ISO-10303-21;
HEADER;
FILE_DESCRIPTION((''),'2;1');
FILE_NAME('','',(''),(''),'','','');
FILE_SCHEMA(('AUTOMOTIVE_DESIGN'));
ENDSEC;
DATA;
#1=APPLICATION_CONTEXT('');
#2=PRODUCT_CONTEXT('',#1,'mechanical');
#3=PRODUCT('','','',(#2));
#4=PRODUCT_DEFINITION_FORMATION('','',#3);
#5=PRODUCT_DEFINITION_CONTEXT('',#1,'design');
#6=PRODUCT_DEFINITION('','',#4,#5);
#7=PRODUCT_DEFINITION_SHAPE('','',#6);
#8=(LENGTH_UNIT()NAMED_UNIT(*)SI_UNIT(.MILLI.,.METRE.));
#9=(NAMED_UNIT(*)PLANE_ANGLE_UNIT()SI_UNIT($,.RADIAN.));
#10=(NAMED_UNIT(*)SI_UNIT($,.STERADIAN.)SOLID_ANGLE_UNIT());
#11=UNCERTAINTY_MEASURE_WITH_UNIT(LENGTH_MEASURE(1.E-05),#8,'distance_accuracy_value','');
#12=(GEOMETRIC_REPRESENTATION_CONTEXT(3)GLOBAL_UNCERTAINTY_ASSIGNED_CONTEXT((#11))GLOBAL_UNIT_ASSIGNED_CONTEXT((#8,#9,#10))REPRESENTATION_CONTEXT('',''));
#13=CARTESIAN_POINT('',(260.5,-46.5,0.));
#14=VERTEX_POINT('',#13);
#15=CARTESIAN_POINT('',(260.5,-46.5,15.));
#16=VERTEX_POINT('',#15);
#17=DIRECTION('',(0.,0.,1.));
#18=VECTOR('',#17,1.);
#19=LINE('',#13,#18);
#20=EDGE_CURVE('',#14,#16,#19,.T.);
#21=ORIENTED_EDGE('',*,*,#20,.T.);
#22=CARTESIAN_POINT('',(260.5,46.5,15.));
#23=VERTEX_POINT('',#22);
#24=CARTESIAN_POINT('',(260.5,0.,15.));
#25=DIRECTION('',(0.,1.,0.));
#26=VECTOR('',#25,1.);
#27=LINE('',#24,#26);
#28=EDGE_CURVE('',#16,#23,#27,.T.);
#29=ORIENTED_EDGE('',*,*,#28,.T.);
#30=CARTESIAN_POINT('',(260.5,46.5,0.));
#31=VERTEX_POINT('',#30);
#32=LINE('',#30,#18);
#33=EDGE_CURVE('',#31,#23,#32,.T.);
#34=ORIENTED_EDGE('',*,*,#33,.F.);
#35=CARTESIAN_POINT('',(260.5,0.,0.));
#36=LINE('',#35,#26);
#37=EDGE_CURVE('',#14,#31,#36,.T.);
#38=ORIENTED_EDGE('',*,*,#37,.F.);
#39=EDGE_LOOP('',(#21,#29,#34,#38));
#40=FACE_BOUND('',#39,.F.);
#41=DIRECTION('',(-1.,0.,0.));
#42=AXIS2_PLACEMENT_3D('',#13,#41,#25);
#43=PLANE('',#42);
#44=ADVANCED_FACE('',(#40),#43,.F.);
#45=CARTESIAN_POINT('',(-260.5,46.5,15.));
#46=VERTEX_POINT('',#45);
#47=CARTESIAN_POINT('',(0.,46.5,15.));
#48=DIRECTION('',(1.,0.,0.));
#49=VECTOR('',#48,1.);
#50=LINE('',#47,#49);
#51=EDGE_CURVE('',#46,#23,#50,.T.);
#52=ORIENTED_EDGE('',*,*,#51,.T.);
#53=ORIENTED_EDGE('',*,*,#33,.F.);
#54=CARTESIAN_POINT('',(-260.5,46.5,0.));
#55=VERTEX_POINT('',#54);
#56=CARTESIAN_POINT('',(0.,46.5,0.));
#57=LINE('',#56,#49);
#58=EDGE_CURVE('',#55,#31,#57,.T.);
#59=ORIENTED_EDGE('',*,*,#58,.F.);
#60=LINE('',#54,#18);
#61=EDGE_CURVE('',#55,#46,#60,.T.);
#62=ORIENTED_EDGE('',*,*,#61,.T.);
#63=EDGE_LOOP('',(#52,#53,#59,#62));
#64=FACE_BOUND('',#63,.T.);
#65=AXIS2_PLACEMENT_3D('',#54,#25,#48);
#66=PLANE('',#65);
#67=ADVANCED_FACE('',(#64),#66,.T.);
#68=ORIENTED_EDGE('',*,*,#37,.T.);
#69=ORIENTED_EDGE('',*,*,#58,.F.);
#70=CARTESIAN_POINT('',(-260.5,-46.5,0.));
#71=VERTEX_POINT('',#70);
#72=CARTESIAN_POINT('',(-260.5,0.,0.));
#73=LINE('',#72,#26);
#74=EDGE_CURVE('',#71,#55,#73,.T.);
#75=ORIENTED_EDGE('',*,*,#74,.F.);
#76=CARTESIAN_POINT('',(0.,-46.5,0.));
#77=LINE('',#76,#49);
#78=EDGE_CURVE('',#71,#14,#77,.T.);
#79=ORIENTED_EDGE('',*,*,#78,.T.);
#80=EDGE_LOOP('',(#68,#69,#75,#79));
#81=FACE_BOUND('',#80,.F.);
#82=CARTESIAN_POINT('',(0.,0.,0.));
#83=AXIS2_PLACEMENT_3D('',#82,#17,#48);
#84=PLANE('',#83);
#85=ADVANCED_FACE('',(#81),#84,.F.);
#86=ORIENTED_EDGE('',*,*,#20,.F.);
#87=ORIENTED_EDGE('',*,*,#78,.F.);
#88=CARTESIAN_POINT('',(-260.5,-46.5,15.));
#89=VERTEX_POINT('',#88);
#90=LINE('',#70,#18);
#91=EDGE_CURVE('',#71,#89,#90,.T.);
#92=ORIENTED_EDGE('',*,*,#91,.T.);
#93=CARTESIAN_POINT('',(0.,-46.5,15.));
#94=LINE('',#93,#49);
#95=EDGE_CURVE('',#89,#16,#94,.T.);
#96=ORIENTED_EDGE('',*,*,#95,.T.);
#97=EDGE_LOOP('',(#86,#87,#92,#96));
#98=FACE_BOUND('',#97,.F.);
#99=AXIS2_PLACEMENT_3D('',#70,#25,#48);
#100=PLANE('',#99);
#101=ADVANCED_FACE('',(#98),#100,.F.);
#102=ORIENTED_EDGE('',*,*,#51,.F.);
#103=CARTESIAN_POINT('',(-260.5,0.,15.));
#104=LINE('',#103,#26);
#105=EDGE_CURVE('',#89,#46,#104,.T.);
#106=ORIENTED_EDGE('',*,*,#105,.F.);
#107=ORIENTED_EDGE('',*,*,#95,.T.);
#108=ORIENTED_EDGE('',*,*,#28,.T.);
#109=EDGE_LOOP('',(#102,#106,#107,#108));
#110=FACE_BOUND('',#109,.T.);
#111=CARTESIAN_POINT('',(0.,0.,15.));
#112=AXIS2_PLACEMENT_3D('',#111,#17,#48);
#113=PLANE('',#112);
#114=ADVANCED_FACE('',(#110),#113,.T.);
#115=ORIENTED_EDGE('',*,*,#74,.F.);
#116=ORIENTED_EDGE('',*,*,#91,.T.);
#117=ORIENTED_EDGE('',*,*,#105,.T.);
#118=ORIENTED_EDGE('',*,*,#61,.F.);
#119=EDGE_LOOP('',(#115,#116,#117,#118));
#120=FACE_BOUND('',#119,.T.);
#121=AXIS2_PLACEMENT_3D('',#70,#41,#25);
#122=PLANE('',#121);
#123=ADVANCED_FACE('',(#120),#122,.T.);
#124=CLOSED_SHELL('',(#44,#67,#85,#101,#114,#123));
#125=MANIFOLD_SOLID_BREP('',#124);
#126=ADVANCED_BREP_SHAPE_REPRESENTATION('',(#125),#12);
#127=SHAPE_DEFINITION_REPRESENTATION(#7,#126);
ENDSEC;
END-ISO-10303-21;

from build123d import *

# Parameters (mm, degrees)
SKETCH_W  = 521
SKETCH_H  = 93
PAD_DEPTH = 15


with BuildPart() as part:
    # Sketch → Pad (new body)
    with BuildSketch(Plane.XY):
        Rectangle(SKETCH_W, SKETCH_H)
    extrude(amount=PAD_DEPTH)


solid = part.part
